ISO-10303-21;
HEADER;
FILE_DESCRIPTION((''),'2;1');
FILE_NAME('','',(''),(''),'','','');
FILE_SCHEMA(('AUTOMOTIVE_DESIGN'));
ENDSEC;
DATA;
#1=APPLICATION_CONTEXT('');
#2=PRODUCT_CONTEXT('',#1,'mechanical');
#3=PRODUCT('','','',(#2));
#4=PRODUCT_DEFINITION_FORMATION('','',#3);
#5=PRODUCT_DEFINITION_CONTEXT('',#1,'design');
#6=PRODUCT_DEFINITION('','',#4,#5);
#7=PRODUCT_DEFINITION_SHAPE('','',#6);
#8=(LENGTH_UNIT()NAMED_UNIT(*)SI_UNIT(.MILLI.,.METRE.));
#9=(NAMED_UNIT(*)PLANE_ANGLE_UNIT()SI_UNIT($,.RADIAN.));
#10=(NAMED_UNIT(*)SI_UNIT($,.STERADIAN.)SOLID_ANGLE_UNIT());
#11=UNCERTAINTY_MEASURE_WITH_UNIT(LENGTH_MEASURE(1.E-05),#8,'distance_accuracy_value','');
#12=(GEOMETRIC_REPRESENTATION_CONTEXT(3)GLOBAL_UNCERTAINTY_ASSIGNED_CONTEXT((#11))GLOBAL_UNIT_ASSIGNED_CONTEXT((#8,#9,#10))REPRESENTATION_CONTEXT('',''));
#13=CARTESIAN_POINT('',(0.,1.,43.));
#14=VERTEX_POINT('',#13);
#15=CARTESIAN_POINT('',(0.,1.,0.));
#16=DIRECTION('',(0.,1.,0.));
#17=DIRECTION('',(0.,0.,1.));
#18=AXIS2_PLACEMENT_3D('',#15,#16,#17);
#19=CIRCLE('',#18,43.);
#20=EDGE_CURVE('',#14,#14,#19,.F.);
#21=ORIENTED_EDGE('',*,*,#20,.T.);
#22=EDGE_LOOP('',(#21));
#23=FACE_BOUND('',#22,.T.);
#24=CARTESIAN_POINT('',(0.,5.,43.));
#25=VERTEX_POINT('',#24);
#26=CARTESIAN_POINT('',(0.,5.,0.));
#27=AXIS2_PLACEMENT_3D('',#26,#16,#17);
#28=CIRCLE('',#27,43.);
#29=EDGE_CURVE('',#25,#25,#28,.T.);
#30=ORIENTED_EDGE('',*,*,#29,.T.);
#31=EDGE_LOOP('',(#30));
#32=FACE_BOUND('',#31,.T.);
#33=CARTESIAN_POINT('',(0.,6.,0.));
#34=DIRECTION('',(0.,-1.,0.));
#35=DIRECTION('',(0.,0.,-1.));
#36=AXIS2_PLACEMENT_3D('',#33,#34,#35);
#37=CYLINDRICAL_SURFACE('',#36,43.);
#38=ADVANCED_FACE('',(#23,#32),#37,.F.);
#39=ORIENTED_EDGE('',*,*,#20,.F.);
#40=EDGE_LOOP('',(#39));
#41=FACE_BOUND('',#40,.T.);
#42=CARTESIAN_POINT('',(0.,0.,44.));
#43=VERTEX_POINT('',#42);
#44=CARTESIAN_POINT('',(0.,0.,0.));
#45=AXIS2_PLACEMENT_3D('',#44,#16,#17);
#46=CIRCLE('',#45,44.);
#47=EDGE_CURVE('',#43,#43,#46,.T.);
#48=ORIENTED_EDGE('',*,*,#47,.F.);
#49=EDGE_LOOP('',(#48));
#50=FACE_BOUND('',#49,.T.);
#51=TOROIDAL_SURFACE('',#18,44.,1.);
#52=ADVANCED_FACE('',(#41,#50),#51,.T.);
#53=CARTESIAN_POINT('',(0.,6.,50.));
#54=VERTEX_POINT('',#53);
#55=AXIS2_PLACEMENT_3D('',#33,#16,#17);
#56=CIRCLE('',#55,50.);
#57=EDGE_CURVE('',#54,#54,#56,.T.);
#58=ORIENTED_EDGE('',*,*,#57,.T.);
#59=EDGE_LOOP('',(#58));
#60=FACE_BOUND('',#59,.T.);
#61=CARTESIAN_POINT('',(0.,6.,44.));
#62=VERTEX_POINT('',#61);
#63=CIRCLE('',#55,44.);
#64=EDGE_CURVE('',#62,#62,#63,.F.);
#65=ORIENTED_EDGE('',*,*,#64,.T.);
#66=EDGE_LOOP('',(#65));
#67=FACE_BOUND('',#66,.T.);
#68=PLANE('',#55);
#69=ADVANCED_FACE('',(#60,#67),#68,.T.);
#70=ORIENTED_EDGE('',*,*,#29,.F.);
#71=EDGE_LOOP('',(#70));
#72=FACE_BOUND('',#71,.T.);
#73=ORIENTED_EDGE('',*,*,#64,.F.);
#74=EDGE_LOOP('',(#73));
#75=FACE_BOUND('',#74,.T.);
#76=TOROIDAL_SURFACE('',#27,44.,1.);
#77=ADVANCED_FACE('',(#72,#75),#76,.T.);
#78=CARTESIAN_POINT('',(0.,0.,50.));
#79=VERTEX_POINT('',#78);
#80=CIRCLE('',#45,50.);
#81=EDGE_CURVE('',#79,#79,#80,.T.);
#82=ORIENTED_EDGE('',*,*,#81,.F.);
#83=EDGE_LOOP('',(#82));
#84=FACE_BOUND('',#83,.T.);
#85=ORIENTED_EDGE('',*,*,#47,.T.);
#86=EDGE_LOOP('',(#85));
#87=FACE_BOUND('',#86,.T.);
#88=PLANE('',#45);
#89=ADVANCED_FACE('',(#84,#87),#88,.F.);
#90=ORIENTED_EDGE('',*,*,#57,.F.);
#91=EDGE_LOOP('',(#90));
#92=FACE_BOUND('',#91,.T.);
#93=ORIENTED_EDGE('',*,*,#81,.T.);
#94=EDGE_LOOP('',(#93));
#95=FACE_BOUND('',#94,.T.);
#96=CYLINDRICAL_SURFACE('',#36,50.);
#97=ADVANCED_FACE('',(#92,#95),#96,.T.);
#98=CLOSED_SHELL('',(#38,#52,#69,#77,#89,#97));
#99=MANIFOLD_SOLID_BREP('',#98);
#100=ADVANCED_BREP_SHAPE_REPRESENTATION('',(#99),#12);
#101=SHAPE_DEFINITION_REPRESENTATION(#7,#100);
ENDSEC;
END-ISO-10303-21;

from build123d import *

# Parameters (mm, degrees)
SKETCH1_R           = 50
SKETCH1_R_2         = 43
BOSS_EXTRUDE1_DEPTH = 6
FILLET1_R           = 1


with BuildPart() as part:
    # Sketch1 → Boss-Extrude1 (new body)
    with BuildSketch(Plane(origin=(0, 0, 0), x_dir=(1, 0, 0), z_dir=(0, 1, 0))):
        with Locations(Location((0, 0, 0), (0, 0, 270))):
            Circle(SKETCH1_R)
        with Locations(Location((0, 0, 0), (0, 0, 270))):
            Circle(SKETCH1_R_2, mode=Mode.SUBTRACT)
    extrude(amount=BOSS_EXTRUDE1_DEPTH)

    # Fillet1
    fillet1_edges = [part.edges().sort_by_distance(p)[0] for p in [
        (0, 0, -43),
        (0, 6, -43),
    ]]
    fillet(fillet1_edges, radius=FILLET1_R)


solid = part.part
